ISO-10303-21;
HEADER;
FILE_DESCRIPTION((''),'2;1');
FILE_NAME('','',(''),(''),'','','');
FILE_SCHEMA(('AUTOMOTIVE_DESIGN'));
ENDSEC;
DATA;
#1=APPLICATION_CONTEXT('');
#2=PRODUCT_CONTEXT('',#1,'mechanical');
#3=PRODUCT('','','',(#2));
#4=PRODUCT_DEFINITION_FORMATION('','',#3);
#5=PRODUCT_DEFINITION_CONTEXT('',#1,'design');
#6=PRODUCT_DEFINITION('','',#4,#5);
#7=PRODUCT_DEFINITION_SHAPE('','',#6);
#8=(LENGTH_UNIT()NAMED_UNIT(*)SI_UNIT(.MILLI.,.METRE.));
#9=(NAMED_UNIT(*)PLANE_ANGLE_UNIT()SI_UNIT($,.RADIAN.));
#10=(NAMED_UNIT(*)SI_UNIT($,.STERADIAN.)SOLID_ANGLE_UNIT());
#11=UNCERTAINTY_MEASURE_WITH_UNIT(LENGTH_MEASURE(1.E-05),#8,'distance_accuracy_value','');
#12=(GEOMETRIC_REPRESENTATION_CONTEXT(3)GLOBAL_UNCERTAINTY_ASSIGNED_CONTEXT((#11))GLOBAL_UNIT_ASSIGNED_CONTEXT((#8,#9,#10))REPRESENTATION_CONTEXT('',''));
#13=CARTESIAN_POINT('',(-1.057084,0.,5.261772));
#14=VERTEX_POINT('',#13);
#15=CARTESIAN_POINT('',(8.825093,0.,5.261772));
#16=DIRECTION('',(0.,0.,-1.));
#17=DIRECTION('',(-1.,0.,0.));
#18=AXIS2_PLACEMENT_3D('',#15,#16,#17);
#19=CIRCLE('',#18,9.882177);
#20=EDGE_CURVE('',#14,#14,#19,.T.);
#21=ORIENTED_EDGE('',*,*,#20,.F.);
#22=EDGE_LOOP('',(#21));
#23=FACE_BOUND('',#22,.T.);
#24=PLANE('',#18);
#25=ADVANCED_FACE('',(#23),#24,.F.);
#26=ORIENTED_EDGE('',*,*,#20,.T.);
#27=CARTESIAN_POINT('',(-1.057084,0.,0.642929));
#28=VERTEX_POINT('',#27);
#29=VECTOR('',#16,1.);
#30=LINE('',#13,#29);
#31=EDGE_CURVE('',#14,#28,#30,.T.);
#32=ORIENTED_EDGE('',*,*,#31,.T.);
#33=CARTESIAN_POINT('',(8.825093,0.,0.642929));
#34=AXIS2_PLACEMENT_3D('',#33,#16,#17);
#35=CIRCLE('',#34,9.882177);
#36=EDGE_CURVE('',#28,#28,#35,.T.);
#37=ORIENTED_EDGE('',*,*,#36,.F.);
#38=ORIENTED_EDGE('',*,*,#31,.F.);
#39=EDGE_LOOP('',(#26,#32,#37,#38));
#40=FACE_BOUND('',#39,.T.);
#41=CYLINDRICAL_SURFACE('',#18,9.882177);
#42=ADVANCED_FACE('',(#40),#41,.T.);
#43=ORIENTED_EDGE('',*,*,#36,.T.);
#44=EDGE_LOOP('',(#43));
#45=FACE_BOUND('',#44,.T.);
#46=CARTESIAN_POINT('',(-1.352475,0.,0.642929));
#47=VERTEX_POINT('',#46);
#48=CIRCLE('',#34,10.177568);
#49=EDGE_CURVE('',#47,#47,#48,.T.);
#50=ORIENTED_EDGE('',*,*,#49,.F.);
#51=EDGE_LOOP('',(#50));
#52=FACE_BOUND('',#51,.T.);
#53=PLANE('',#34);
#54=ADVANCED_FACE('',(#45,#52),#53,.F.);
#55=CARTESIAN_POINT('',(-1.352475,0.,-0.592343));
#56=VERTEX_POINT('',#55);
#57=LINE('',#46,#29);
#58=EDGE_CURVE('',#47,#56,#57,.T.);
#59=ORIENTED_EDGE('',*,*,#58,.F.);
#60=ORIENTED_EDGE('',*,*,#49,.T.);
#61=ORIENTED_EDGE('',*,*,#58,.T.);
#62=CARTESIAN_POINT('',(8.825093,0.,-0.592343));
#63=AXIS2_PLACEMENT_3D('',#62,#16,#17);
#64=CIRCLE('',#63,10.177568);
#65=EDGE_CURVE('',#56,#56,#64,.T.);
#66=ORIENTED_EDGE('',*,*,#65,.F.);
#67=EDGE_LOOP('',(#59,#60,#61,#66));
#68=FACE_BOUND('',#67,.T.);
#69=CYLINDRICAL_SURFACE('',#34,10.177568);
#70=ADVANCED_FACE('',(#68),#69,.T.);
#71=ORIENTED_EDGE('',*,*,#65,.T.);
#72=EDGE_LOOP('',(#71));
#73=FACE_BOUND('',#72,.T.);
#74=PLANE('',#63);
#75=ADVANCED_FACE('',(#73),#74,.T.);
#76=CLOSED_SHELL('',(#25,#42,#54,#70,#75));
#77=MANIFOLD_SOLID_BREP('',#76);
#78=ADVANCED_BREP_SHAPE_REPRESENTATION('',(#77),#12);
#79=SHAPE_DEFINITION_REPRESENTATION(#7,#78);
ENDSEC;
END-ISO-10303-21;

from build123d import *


with BuildPart() as f2:
    # F1 (on face) → F2 (revolve)
    with BuildSketch(Plane.XZ):
        Polygon((-1.352475, -0.592343), (8.825093, -0.592343), (8.825093, 5.261772), (-1.057084, 5.261772), (-1.057084, 0.642929), (-1.352475, 0.642929), align=None)
    revolve(axis=Axis((8.825093, 0, 2.334715), (0, 0, -1)))


solid = f2.part
